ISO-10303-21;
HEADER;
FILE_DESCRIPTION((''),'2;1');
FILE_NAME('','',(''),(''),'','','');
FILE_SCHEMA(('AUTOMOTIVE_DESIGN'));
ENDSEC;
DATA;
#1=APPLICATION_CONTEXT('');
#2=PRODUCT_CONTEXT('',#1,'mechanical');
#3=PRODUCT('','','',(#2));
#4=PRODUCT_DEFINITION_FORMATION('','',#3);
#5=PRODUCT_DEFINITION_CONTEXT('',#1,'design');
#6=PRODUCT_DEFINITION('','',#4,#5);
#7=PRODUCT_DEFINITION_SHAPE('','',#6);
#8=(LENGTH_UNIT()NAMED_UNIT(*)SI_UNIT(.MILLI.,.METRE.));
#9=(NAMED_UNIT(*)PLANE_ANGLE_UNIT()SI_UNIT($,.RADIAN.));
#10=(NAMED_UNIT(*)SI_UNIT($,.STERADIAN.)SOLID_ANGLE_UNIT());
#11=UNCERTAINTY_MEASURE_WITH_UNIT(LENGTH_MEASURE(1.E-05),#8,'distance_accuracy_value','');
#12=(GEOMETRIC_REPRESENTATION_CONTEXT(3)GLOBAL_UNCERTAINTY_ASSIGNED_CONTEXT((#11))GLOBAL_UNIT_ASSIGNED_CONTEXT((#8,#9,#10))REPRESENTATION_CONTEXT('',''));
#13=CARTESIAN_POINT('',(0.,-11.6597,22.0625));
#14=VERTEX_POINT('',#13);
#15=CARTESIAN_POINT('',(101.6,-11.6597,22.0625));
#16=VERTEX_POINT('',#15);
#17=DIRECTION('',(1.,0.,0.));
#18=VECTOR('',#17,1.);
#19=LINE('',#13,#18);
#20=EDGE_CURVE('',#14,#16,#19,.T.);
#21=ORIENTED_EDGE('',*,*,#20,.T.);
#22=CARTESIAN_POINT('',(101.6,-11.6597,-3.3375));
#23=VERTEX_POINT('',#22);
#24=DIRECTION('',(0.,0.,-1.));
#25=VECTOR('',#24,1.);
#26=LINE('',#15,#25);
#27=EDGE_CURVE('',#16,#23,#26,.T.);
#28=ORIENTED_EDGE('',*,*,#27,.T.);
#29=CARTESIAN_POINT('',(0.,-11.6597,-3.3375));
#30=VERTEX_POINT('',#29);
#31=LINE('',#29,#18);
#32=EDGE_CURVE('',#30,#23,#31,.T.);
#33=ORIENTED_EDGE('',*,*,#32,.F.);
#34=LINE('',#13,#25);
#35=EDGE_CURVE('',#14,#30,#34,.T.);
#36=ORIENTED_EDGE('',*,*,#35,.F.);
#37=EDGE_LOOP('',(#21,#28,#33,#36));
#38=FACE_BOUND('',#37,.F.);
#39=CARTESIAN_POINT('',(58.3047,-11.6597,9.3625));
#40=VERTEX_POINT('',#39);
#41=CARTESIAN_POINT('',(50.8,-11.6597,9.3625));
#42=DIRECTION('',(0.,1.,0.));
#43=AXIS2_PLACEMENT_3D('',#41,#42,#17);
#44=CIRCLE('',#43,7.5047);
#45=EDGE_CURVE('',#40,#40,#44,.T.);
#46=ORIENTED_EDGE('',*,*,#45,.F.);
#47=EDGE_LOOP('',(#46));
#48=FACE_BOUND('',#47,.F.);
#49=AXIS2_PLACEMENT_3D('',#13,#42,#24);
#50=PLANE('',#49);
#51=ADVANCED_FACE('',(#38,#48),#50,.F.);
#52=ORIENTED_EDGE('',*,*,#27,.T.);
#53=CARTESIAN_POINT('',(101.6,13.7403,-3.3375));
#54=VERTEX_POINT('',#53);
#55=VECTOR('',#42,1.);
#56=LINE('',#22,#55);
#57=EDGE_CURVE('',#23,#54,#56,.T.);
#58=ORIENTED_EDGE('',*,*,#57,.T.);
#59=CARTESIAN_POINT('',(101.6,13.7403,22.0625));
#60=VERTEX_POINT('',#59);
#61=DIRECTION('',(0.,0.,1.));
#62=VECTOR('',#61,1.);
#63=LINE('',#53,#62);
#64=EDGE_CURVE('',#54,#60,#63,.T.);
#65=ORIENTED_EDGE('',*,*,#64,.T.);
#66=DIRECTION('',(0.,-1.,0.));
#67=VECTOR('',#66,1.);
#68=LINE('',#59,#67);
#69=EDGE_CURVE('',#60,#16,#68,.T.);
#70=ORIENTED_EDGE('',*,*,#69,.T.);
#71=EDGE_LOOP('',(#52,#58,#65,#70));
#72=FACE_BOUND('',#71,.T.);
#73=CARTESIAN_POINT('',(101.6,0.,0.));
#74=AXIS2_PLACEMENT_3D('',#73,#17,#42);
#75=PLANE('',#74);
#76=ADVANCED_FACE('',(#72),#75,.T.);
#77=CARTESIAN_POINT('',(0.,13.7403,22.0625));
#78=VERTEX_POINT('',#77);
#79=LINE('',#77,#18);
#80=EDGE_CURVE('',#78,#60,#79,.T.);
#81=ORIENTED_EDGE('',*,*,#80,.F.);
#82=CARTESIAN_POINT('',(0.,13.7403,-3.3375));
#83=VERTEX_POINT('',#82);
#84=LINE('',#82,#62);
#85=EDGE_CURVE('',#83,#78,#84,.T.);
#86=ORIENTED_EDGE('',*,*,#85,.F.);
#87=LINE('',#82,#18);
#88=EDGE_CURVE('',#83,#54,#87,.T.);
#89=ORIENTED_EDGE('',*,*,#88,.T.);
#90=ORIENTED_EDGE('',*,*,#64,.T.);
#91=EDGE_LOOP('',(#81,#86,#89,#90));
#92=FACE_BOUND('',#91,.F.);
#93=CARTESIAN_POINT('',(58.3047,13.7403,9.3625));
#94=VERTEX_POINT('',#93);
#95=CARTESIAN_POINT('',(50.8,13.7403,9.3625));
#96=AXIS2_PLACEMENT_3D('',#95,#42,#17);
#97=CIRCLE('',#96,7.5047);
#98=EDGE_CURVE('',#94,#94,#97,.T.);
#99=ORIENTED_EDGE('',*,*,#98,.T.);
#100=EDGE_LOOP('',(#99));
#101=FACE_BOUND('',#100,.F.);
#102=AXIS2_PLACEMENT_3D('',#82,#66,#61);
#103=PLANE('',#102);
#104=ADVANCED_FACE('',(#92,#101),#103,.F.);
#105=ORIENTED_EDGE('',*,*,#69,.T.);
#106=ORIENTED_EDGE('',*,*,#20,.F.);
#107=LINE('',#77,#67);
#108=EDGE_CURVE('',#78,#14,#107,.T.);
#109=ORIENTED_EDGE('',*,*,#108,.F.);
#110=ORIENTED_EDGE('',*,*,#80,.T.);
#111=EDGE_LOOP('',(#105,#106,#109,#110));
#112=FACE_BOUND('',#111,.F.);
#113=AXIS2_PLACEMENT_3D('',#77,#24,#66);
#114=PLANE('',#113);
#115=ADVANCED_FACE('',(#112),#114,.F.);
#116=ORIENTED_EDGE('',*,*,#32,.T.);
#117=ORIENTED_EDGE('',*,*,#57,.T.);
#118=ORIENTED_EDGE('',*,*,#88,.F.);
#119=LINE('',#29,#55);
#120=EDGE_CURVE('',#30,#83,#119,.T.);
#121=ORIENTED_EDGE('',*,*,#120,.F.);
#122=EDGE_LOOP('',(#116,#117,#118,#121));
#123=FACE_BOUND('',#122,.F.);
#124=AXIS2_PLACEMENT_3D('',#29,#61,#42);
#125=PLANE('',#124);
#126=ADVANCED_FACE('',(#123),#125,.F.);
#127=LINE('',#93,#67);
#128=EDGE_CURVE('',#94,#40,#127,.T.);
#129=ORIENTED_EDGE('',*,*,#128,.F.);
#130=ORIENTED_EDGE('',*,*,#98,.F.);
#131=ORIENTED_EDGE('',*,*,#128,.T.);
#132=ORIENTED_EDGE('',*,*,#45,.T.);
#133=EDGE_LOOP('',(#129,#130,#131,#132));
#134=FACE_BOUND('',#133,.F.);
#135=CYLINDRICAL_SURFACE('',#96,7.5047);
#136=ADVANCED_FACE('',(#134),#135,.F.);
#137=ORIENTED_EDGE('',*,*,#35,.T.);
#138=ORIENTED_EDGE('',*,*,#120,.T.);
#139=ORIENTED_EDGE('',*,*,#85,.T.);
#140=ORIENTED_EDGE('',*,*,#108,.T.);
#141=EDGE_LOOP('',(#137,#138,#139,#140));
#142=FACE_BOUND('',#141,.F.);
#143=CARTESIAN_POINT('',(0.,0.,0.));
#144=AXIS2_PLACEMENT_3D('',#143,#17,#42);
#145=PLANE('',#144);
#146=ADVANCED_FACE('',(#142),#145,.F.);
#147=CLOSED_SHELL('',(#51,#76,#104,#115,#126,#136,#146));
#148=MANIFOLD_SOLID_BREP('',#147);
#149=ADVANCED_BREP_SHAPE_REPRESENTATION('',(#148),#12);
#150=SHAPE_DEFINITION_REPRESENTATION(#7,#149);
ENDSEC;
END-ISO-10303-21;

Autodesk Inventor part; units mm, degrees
ref_plane "YZ Plane" through (0, 0, 0) normal (1, 0, 0) x (0, 1, 0)
ref_plane "XZ Plane" through (0, 0, 0) normal (0, 1, 0) x (-1, 0, 0)
ref_plane "XY Plane" through (0, 0, 0) normal (0, 0, 1) x (1, 0, 0)
sketch "Sketch1" plane through (0, 0, 0) normal (1, 0, 0) x (0, 1, 0)
  line L0 (13.7403, 22.0625) -> (-11.6597, 22.0625)
  line L1 (-11.6597, 22.0625) -> (-11.6597, -3.3375)
  line L2 (-11.6597, -3.3375) -> (13.7403, -3.3375)
  line L3 (13.7403, -3.3375) -> (13.7403, 22.0625)
  point P0 (0, 0)
  dimension "d0" = 25.4
  dimension "d1" = 25.4
extrude "Extrusion1" add sketch "Sketch1" along normal blind 101.6
sketch "Sketch2" plane through (0, 13.7403, 22.0625) normal (0, 1, 0) x (1, 0, 0)
  circle A0 centre (50.8, 12.7) radius 7.5047
  line L0 (0, 25.4) -> (0, 0) projected
  line L1 (0, 25.4) -> (101.6, 25.4) projected
  point P0 (0, 22.0625)
  dimension "d4" = 50.8
  dimension "d5" = 12.7
extrude "Extrusion2" cut sketch "Sketch2" against normal blind 101.6
properties part number "ServoBlock"
